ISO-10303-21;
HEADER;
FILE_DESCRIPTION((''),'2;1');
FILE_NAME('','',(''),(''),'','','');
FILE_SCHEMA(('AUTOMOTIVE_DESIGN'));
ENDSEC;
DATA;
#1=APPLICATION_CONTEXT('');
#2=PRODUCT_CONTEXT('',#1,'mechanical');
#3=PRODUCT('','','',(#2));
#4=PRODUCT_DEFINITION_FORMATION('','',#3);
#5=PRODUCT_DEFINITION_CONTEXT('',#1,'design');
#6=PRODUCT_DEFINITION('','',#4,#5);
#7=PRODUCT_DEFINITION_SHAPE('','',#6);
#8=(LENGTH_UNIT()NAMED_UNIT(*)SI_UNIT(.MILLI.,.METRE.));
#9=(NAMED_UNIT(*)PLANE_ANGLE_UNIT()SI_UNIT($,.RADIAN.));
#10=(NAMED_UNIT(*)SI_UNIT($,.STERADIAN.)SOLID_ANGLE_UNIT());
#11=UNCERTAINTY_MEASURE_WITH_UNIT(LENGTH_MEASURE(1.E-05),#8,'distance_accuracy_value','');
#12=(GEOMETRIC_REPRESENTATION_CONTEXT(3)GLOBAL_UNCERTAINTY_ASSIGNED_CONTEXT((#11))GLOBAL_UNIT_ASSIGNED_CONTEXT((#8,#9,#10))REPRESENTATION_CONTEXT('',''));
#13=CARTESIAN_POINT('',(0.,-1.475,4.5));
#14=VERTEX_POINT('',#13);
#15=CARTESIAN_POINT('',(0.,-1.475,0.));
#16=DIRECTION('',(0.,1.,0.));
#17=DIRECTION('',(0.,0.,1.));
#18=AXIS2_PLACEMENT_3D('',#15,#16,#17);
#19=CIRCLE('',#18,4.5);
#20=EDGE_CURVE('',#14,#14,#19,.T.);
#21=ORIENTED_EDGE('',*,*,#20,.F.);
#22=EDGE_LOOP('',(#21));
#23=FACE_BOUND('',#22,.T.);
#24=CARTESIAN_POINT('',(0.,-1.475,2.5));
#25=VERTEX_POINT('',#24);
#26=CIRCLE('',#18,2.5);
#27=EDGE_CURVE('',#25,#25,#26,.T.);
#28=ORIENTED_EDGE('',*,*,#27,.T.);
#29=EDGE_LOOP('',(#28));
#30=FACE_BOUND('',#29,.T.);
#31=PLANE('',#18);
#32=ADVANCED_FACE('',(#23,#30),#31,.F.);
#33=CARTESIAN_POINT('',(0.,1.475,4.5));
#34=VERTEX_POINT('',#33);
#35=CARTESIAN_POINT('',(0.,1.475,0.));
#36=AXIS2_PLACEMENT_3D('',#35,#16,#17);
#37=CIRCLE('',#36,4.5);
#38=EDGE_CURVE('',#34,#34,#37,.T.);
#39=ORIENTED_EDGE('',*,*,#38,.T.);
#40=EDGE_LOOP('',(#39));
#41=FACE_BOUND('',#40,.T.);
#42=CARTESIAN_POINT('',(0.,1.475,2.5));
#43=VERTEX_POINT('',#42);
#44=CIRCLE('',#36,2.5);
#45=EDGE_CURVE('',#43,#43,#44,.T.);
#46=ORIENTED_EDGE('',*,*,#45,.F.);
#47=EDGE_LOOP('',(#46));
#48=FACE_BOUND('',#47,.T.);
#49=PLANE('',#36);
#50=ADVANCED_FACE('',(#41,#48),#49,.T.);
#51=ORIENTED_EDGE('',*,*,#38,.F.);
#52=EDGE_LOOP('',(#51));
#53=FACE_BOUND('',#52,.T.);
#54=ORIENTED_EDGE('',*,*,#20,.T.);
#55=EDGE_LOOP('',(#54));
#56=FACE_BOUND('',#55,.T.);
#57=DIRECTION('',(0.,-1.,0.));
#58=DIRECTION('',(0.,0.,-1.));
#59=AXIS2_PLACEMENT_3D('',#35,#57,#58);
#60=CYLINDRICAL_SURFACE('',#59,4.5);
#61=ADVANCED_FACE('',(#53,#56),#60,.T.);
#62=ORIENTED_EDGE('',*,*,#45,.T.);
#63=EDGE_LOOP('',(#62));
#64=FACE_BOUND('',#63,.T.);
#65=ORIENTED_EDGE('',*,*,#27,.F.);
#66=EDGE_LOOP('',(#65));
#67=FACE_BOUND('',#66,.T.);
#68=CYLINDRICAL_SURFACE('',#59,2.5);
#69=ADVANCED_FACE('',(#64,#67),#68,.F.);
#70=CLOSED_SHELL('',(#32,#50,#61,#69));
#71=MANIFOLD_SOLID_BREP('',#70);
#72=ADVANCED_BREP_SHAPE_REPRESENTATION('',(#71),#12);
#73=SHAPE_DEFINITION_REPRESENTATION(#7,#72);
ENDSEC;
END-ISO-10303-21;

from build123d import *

# Parameters (mm, degrees)
SKETCH1_R           = 4.5
SKETCH1_R_2         = 2.5
BOSS_EXTRUDE1_DEPTH = 1.475


with BuildPart() as part:
    # Sketch1 → Boss-Extrude1 (new body, symmetric)
    with BuildSketch(Plane(origin=(0, 0, 0), x_dir=(1, 0, 0), z_dir=(0, 1, 0))):
        Circle(SKETCH1_R)
        Circle(SKETCH1_R_2, mode=Mode.SUBTRACT)
    extrude(amount=BOSS_EXTRUDE1_DEPTH, both=True)


solid = part.part
